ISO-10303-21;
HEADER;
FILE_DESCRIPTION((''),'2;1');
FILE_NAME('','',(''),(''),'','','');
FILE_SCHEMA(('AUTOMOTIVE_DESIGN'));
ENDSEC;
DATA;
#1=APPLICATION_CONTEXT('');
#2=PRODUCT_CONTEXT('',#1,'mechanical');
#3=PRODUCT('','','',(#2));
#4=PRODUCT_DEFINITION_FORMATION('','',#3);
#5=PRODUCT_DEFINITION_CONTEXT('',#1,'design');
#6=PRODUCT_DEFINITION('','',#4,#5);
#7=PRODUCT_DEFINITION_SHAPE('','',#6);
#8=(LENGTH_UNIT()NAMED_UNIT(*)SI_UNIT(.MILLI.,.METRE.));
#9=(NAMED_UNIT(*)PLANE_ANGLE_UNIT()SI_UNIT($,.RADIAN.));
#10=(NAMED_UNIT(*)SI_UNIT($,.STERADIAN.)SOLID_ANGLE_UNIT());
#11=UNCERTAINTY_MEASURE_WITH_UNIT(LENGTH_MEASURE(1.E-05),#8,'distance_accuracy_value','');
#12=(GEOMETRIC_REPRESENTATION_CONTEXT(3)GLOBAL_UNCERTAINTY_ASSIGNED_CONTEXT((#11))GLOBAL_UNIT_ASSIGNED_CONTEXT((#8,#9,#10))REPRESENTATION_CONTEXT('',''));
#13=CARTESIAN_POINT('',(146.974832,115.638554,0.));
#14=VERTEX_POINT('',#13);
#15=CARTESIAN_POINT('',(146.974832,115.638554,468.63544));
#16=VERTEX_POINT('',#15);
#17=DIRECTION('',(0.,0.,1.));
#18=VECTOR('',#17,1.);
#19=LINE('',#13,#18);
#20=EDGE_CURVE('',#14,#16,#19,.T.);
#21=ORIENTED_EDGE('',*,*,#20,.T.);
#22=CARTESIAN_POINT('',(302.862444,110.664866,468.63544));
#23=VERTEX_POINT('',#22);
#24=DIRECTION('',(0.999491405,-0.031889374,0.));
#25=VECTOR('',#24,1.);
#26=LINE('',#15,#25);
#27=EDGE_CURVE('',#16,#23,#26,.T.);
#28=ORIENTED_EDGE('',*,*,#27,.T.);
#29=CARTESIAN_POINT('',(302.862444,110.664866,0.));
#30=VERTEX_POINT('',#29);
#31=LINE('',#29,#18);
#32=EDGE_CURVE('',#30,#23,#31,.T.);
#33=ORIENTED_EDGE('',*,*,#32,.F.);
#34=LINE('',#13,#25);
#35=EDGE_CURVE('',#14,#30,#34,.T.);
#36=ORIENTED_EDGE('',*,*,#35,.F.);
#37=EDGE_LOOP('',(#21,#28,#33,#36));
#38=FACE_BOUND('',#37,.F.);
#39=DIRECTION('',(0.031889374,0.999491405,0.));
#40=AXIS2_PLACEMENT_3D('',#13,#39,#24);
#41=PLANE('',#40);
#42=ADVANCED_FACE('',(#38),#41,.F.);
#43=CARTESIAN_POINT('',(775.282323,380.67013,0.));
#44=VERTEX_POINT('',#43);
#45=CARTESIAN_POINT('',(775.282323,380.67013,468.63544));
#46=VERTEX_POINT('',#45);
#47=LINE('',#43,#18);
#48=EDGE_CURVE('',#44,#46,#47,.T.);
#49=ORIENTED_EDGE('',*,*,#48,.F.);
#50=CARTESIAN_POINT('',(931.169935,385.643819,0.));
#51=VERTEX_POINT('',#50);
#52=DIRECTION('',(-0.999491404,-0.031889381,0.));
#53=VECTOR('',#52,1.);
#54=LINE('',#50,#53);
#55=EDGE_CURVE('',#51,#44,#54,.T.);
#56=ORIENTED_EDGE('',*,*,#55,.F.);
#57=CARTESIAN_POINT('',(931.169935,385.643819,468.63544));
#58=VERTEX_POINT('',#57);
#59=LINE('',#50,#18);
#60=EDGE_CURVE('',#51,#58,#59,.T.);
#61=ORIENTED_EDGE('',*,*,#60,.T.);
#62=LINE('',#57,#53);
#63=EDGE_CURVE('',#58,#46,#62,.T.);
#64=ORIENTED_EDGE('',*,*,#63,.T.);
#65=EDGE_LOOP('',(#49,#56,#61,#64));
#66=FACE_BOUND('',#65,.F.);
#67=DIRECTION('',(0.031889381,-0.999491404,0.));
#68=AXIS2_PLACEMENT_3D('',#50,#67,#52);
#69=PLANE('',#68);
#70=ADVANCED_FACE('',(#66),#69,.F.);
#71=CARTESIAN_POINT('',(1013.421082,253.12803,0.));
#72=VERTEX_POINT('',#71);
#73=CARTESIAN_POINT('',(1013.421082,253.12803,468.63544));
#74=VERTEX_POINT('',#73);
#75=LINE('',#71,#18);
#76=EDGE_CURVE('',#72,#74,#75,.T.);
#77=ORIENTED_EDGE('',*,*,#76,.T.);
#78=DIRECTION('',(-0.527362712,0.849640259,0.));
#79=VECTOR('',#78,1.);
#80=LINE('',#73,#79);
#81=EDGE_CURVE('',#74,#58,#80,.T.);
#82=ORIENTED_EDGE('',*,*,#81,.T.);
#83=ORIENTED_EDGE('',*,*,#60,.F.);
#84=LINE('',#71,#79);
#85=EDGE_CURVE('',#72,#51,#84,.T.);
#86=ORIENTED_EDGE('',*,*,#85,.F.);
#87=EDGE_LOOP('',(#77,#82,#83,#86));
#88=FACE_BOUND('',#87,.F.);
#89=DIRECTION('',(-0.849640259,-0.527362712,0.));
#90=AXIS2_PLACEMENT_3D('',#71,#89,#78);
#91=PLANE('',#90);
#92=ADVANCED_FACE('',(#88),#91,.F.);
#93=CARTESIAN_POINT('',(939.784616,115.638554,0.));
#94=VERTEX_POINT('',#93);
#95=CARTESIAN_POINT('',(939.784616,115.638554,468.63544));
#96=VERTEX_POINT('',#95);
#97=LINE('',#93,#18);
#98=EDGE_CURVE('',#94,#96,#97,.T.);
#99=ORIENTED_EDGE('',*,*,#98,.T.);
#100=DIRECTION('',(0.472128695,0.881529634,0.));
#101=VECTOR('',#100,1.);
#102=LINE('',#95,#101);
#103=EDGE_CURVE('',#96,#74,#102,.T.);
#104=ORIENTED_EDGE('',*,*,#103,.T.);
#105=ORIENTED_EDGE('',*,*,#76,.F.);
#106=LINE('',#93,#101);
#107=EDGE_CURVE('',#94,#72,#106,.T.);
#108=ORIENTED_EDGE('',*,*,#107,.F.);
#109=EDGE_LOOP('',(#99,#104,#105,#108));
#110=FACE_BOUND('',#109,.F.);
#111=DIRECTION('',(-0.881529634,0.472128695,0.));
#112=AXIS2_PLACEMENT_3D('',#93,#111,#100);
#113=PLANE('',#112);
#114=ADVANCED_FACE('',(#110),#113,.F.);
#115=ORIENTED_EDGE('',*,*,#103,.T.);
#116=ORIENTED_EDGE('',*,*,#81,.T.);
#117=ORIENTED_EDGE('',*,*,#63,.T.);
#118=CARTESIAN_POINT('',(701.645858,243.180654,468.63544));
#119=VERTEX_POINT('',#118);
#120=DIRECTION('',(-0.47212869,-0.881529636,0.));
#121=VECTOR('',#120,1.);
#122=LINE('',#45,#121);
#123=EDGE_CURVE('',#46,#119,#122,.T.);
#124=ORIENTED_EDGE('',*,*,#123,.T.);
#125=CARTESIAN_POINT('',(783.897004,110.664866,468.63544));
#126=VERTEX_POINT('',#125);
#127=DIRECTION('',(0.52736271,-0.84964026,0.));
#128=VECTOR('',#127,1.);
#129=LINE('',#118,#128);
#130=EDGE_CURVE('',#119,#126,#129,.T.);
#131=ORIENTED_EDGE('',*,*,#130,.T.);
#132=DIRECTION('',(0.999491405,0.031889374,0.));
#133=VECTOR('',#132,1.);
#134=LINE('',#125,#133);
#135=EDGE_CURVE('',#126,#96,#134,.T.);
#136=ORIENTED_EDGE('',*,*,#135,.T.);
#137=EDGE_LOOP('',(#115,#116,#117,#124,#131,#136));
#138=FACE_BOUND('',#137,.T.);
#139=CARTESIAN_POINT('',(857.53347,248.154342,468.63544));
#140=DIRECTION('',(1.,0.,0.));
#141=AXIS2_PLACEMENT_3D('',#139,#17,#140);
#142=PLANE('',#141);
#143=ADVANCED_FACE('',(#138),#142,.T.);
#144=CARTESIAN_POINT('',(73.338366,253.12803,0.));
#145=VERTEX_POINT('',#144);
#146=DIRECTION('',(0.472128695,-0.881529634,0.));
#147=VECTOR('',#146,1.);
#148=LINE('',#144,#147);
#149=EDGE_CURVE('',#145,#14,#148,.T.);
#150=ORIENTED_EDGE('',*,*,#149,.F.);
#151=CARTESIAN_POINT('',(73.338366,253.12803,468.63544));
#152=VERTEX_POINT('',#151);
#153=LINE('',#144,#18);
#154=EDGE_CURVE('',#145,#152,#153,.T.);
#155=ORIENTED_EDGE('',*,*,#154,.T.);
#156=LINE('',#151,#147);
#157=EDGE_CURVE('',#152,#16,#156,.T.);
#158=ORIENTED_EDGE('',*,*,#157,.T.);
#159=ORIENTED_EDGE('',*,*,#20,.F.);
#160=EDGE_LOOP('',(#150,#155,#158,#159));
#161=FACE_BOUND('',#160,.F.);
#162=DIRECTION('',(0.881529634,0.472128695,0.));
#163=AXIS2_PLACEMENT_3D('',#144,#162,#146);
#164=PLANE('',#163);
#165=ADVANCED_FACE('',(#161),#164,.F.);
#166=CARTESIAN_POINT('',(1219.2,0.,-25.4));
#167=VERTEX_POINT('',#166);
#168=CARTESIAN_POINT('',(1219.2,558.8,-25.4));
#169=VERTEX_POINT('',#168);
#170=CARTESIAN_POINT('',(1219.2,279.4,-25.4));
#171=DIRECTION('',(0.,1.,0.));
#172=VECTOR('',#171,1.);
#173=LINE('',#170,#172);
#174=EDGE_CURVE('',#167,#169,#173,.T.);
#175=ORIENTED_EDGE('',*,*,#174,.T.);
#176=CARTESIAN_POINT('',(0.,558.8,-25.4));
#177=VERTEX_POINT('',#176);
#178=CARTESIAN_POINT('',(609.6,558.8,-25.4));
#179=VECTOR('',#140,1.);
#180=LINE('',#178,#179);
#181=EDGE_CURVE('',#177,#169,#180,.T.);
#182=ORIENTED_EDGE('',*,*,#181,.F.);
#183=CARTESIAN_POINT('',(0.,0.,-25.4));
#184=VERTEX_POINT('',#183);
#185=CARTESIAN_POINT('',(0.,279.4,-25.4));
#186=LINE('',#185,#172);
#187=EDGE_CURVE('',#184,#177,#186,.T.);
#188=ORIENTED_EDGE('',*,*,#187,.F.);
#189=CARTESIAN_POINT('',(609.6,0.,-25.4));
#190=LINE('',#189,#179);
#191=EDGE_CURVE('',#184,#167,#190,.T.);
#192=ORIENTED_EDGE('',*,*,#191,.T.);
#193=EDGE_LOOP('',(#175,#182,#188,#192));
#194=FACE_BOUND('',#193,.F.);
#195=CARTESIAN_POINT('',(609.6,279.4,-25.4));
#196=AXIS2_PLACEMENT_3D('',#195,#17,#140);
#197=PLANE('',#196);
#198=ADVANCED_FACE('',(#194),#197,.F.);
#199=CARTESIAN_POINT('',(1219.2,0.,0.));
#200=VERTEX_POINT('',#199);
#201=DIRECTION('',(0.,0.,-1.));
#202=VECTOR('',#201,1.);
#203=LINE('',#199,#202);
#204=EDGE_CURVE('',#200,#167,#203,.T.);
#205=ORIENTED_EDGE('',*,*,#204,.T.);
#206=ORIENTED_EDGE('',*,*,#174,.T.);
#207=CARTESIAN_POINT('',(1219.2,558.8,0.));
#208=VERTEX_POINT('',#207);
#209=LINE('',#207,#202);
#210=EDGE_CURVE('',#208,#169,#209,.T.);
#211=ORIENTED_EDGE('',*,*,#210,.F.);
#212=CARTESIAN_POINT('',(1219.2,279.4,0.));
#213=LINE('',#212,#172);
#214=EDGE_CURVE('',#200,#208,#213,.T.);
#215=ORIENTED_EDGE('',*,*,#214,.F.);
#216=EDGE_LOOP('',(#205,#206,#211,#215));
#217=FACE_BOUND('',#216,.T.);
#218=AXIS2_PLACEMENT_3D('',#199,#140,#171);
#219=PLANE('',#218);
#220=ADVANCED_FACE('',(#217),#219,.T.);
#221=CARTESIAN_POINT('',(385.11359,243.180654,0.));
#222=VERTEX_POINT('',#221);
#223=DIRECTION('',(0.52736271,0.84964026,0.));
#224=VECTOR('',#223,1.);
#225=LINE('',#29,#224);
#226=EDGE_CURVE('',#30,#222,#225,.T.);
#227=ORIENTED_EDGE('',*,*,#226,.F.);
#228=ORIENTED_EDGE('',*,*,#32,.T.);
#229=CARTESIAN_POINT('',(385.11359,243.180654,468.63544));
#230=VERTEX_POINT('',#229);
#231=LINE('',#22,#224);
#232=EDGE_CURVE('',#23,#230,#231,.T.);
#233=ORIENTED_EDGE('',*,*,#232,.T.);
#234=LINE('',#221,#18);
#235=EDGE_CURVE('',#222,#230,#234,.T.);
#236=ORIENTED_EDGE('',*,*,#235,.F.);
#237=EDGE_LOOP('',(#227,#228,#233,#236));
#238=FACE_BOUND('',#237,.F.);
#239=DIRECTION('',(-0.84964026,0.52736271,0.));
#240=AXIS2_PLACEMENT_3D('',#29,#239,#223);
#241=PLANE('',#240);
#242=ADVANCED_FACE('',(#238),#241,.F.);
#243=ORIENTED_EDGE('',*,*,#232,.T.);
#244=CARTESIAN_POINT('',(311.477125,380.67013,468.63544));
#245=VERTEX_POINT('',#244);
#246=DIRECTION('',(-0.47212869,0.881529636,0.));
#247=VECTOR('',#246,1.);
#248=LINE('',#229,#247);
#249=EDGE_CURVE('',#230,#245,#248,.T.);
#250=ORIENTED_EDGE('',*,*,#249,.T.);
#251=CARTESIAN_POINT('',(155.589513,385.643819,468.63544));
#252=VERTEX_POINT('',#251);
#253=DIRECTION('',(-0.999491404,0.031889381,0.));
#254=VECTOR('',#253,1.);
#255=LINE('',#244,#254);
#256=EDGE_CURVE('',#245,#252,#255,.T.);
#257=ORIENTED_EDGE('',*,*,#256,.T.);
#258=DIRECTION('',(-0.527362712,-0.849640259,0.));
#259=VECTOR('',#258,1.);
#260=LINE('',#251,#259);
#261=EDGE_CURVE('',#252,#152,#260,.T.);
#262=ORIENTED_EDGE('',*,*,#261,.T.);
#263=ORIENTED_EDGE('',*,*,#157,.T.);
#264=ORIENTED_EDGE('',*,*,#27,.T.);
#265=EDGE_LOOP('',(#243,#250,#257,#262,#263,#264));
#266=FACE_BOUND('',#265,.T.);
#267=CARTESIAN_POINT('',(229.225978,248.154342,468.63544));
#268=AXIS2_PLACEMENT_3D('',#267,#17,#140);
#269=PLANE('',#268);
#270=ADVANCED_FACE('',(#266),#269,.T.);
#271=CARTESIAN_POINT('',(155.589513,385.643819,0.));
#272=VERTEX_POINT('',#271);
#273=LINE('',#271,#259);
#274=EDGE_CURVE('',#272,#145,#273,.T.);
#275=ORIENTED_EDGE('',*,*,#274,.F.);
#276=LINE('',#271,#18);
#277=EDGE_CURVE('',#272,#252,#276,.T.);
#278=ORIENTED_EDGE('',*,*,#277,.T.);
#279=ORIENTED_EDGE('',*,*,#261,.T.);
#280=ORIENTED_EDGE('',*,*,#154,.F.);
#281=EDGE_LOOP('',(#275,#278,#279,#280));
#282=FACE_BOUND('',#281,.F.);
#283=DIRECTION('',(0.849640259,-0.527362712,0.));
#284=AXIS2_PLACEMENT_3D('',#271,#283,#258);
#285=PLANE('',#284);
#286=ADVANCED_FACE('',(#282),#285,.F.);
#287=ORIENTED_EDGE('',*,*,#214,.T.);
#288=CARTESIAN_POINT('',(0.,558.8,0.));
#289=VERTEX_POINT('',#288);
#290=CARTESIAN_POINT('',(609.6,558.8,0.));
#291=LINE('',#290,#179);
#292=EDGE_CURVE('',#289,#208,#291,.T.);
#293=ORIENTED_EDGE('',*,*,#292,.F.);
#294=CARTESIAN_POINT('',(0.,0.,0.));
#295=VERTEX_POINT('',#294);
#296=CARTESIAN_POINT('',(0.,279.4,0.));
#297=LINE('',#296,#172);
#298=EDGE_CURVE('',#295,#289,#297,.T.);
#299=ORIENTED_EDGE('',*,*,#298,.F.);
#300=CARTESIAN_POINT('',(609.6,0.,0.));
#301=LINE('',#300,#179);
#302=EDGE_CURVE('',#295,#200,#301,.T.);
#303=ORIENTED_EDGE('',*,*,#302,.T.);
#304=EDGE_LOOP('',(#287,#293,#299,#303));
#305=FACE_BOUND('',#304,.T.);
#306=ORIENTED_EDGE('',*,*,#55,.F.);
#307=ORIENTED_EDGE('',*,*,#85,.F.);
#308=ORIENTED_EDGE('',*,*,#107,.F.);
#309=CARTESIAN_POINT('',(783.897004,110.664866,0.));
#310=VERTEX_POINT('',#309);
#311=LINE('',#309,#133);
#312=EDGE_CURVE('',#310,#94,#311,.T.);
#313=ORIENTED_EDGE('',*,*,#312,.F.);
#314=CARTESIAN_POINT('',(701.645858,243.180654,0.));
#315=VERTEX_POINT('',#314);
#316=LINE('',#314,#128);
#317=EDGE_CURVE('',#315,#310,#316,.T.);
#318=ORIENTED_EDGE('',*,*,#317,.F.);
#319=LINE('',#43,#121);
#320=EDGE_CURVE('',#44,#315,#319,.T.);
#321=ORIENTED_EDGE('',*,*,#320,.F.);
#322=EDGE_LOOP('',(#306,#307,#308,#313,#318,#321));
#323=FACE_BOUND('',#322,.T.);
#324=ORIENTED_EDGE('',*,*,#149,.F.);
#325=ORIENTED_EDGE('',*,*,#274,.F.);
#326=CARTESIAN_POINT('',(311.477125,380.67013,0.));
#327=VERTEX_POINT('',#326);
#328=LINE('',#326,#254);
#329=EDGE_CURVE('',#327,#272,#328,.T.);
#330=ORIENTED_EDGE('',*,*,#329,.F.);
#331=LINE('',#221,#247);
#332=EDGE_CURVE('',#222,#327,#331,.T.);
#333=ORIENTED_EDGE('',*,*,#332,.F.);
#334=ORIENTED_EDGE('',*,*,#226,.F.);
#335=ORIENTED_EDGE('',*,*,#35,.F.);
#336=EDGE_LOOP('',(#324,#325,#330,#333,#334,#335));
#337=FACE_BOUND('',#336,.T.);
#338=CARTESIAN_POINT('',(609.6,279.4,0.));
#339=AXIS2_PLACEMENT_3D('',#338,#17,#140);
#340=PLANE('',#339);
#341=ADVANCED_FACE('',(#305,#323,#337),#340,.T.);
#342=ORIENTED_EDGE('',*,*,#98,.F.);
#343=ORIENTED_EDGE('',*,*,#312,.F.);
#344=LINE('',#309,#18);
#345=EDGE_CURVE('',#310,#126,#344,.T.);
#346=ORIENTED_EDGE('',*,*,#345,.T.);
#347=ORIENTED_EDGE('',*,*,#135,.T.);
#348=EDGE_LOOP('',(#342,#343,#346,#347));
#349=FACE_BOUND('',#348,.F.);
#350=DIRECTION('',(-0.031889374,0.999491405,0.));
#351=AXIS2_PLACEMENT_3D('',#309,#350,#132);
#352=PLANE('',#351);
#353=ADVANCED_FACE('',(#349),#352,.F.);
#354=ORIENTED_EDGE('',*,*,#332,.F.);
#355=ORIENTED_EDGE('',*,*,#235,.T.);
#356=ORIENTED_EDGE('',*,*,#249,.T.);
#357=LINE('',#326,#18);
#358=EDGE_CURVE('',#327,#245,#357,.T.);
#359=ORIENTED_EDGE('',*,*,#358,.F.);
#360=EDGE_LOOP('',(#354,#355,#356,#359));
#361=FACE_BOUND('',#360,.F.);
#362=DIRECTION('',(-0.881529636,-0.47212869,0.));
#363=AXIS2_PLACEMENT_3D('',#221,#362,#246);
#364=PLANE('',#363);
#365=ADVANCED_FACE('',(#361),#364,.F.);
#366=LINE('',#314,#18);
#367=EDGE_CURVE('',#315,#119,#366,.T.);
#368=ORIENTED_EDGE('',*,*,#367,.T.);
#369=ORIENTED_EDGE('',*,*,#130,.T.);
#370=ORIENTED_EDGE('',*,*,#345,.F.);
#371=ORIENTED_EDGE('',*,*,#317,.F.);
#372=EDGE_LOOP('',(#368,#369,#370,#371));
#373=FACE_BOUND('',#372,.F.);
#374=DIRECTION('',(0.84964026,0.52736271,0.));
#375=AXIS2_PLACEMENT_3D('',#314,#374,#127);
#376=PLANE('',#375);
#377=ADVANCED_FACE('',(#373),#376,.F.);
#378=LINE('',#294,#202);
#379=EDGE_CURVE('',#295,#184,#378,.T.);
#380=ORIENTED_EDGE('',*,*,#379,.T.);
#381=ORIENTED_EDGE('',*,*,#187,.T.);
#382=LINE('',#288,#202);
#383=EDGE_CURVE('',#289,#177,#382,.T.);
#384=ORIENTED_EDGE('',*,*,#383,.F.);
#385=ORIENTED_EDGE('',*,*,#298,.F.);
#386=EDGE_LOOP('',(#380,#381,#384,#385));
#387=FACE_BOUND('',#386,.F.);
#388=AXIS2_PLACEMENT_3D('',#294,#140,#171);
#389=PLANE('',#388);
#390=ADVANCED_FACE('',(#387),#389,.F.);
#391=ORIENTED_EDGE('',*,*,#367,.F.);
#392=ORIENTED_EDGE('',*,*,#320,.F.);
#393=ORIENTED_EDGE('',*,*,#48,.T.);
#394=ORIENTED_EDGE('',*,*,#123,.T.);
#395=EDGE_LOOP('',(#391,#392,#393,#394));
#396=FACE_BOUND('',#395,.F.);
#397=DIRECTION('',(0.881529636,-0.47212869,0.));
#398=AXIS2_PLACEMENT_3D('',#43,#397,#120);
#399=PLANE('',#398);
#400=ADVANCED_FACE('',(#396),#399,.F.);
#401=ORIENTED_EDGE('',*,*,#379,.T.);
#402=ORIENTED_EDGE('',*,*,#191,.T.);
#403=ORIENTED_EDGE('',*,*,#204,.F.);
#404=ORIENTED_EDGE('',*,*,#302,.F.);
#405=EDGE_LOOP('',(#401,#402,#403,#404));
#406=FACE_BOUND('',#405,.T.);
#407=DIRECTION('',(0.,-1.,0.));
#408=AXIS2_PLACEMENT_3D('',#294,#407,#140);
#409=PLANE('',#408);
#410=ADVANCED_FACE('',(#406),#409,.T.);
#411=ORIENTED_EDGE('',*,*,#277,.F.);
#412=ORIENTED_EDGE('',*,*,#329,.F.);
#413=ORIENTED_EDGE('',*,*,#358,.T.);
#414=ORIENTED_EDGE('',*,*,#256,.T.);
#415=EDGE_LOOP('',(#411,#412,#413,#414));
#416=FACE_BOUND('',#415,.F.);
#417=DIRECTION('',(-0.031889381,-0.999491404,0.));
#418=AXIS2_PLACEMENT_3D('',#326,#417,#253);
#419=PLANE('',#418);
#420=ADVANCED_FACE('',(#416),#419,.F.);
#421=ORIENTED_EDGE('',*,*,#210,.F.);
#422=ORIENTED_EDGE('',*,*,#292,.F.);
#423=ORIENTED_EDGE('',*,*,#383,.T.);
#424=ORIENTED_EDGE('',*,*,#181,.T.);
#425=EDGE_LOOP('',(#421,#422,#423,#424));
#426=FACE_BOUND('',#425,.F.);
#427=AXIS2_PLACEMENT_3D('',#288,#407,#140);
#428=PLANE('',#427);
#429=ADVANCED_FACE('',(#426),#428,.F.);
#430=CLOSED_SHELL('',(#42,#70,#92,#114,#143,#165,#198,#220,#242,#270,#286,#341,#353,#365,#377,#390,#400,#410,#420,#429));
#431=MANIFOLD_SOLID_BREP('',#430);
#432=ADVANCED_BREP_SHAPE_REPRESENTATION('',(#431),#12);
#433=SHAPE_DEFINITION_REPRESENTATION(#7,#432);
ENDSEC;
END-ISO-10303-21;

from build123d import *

# Parameters (mm, degrees)
F0_W     = 1219.2
F0_H     = 558.8
F1_DEPTH = 25.4
F3_DEPTH = 468.63544


with BuildPart() as f1:
    # F0 (on Top) → F1 (new body)
    with BuildSketch(Plane.XY):
        with Locations((609.6, 279.4)):
            Rectangle(F0_W, F0_H)
    extrude(amount=-F1_DEPTH)

    # F2 (on face) → F3 (join)
    with BuildSketch(Plane.XY):
        Polygon((385.11359, 243.180654), (311.477125, 380.67013), (155.589513, 385.643819), (73.338366, 253.12803), (146.974832, 115.638554), (302.862444, 110.664866), align=None)
        Polygon((775.282323, 380.67013), (701.645858, 243.180654), (783.897004, 110.664866), (939.784616, 115.638554), (1013.421082, 253.12803), (931.169935, 385.643819), align=None)
    extrude(amount=F3_DEPTH)


solid = f1.part
